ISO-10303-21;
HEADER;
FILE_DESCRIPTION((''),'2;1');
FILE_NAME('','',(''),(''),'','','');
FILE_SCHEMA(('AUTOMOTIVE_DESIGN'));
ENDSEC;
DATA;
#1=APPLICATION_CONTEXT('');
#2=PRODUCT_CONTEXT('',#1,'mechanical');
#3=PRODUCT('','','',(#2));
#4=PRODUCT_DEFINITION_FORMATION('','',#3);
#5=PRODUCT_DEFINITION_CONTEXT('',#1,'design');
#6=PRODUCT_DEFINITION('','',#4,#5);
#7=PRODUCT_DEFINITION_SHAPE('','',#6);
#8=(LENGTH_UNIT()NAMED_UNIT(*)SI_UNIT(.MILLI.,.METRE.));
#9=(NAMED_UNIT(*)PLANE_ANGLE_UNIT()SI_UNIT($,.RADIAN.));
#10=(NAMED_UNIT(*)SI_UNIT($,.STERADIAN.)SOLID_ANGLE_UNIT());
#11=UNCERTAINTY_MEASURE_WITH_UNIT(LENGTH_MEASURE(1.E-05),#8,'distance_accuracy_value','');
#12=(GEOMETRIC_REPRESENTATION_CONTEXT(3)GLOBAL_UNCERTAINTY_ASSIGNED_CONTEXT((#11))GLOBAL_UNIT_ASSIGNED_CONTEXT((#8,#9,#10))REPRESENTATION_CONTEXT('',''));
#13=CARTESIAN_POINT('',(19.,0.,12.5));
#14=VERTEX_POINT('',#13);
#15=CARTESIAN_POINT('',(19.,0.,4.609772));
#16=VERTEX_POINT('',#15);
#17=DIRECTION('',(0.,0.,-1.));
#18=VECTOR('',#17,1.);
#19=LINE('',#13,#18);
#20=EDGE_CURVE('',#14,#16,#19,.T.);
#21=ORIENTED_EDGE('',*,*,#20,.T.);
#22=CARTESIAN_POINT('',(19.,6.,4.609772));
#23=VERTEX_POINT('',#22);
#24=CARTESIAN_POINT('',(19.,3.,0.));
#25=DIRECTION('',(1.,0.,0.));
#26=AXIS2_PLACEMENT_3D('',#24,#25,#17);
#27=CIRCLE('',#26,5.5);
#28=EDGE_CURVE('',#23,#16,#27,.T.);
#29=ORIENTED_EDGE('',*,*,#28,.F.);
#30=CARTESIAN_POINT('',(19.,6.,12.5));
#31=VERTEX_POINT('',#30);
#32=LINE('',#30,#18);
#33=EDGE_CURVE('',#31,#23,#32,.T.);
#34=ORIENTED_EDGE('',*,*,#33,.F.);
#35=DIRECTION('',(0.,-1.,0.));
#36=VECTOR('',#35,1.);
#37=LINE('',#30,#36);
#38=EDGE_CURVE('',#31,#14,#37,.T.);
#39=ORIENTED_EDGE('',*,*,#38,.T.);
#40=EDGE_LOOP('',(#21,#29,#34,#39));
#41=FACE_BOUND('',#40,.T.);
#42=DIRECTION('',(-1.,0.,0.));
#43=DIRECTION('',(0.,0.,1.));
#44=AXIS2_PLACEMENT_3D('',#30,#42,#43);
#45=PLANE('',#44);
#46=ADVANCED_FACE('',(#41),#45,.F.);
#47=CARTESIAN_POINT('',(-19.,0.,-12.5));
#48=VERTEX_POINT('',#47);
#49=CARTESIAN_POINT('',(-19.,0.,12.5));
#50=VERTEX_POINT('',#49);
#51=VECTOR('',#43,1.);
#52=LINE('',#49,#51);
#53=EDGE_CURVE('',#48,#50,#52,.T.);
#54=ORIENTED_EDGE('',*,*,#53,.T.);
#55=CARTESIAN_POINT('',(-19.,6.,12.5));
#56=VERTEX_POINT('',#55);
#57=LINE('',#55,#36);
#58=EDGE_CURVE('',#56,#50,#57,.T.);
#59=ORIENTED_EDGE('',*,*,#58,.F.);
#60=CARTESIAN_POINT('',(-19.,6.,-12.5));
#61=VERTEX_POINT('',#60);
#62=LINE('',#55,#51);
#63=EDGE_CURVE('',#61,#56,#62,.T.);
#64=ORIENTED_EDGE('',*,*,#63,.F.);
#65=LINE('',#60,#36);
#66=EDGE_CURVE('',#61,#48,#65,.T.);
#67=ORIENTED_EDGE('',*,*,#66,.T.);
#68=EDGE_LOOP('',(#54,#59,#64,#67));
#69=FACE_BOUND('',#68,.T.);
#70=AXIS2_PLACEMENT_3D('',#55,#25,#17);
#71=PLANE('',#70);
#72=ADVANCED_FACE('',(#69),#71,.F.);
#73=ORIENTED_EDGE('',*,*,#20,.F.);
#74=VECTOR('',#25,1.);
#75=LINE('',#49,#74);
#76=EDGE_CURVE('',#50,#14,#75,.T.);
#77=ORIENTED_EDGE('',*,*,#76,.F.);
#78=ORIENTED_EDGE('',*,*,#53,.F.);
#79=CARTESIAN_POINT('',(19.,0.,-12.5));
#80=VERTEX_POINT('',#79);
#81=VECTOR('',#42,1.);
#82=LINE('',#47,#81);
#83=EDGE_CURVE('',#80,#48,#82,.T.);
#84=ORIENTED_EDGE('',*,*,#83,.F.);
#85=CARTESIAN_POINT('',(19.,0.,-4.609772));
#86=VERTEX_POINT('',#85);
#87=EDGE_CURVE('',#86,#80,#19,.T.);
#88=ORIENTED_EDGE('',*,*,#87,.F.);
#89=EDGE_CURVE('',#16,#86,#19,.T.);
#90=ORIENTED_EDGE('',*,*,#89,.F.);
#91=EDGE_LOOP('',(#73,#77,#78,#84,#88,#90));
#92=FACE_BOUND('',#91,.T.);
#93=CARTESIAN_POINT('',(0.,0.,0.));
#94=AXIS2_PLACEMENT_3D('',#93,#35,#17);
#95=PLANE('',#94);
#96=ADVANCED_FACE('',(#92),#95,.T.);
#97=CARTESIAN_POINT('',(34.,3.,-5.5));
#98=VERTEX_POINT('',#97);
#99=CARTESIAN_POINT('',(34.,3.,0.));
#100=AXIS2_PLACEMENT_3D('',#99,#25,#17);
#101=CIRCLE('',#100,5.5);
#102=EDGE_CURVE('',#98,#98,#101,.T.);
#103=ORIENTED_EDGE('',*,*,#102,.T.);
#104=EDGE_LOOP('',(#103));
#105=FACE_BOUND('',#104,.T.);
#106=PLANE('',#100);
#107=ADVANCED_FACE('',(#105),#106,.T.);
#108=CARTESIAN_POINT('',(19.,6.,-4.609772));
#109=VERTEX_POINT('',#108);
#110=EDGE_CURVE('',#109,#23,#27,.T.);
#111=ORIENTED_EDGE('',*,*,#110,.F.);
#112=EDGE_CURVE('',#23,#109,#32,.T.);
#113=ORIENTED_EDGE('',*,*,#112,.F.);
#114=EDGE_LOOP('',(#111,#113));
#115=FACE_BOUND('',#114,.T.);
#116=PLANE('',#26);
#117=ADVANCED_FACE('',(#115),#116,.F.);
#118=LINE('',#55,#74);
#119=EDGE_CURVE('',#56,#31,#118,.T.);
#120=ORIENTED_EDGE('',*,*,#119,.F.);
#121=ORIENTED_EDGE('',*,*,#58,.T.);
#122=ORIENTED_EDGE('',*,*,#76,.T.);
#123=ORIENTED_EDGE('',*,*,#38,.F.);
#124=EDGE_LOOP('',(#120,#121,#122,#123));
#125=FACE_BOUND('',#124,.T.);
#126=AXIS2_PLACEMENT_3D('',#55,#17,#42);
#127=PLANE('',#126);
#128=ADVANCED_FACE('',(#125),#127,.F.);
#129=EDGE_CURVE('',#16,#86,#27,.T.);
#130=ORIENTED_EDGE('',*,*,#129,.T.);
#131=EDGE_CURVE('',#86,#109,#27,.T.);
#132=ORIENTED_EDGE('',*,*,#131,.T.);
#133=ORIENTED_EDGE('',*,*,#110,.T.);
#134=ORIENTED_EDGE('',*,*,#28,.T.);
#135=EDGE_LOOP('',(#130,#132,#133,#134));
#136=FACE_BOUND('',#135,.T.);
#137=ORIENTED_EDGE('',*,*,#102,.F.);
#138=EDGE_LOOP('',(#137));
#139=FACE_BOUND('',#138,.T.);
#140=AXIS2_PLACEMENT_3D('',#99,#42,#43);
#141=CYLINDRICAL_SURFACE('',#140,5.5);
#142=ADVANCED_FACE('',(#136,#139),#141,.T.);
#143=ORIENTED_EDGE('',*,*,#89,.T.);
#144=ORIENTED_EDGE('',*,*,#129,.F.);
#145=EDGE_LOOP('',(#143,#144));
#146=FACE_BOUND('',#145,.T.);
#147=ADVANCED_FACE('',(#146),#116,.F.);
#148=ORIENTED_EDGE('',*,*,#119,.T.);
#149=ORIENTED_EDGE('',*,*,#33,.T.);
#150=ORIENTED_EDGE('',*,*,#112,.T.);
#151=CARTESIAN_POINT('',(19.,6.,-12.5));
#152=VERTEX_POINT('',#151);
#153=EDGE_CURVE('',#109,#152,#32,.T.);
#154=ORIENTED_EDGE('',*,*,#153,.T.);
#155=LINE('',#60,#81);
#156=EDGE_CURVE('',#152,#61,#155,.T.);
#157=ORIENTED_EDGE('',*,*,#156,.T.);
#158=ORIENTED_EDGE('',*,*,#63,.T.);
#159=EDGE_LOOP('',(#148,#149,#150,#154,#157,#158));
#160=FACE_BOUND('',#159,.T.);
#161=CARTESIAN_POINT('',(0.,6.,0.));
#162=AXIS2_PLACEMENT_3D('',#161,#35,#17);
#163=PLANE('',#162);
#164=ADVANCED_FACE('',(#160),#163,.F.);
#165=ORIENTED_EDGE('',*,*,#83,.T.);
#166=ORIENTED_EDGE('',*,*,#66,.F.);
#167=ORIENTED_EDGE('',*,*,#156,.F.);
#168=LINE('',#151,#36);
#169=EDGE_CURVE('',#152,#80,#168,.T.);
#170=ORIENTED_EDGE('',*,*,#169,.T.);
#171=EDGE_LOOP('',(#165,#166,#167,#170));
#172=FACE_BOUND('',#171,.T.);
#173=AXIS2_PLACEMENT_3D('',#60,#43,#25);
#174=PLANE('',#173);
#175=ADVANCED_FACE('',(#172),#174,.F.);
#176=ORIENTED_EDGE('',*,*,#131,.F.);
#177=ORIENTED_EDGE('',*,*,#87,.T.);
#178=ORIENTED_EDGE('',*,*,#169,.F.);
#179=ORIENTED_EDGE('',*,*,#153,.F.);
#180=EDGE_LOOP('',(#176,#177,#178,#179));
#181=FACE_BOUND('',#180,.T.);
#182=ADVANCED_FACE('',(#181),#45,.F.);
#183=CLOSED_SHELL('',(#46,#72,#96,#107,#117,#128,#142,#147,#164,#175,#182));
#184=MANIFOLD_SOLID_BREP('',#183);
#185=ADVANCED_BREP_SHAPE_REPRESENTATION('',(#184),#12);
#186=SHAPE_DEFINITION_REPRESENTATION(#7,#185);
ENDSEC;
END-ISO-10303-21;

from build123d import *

# Parameters (mm, degrees)
SKETCH2_W           = 38
SKETCH2_H           = 25
BOSS_EXTRUDE1_DEPTH = 6
SKETCH3_R           = 5.5
BOSS_EXTRUDE2_DEPTH = 15


with BuildPart() as part:
    # Sketch2 → Boss-Extrude1 (new body)
    with BuildSketch(Plane(origin=(0, 0, 0), x_dir=(1, 0, 0), z_dir=(0, 1, 0))):
        Rectangle(SKETCH2_W, SKETCH2_H)
    extrude(amount=BOSS_EXTRUDE1_DEPTH)

    # Sketch3 → Boss-Extrude2 (add)
    with BuildSketch(Plane(origin=(19, 0, 0), x_dir=(0, 0, -1), z_dir=(1, 0, 0))):
        with Locations(Location((0, 3, 0), (0, 0, 146.944268849))):
            Circle(SKETCH3_R)
    extrude(amount=BOSS_EXTRUDE2_DEPTH)


solid = part.part
